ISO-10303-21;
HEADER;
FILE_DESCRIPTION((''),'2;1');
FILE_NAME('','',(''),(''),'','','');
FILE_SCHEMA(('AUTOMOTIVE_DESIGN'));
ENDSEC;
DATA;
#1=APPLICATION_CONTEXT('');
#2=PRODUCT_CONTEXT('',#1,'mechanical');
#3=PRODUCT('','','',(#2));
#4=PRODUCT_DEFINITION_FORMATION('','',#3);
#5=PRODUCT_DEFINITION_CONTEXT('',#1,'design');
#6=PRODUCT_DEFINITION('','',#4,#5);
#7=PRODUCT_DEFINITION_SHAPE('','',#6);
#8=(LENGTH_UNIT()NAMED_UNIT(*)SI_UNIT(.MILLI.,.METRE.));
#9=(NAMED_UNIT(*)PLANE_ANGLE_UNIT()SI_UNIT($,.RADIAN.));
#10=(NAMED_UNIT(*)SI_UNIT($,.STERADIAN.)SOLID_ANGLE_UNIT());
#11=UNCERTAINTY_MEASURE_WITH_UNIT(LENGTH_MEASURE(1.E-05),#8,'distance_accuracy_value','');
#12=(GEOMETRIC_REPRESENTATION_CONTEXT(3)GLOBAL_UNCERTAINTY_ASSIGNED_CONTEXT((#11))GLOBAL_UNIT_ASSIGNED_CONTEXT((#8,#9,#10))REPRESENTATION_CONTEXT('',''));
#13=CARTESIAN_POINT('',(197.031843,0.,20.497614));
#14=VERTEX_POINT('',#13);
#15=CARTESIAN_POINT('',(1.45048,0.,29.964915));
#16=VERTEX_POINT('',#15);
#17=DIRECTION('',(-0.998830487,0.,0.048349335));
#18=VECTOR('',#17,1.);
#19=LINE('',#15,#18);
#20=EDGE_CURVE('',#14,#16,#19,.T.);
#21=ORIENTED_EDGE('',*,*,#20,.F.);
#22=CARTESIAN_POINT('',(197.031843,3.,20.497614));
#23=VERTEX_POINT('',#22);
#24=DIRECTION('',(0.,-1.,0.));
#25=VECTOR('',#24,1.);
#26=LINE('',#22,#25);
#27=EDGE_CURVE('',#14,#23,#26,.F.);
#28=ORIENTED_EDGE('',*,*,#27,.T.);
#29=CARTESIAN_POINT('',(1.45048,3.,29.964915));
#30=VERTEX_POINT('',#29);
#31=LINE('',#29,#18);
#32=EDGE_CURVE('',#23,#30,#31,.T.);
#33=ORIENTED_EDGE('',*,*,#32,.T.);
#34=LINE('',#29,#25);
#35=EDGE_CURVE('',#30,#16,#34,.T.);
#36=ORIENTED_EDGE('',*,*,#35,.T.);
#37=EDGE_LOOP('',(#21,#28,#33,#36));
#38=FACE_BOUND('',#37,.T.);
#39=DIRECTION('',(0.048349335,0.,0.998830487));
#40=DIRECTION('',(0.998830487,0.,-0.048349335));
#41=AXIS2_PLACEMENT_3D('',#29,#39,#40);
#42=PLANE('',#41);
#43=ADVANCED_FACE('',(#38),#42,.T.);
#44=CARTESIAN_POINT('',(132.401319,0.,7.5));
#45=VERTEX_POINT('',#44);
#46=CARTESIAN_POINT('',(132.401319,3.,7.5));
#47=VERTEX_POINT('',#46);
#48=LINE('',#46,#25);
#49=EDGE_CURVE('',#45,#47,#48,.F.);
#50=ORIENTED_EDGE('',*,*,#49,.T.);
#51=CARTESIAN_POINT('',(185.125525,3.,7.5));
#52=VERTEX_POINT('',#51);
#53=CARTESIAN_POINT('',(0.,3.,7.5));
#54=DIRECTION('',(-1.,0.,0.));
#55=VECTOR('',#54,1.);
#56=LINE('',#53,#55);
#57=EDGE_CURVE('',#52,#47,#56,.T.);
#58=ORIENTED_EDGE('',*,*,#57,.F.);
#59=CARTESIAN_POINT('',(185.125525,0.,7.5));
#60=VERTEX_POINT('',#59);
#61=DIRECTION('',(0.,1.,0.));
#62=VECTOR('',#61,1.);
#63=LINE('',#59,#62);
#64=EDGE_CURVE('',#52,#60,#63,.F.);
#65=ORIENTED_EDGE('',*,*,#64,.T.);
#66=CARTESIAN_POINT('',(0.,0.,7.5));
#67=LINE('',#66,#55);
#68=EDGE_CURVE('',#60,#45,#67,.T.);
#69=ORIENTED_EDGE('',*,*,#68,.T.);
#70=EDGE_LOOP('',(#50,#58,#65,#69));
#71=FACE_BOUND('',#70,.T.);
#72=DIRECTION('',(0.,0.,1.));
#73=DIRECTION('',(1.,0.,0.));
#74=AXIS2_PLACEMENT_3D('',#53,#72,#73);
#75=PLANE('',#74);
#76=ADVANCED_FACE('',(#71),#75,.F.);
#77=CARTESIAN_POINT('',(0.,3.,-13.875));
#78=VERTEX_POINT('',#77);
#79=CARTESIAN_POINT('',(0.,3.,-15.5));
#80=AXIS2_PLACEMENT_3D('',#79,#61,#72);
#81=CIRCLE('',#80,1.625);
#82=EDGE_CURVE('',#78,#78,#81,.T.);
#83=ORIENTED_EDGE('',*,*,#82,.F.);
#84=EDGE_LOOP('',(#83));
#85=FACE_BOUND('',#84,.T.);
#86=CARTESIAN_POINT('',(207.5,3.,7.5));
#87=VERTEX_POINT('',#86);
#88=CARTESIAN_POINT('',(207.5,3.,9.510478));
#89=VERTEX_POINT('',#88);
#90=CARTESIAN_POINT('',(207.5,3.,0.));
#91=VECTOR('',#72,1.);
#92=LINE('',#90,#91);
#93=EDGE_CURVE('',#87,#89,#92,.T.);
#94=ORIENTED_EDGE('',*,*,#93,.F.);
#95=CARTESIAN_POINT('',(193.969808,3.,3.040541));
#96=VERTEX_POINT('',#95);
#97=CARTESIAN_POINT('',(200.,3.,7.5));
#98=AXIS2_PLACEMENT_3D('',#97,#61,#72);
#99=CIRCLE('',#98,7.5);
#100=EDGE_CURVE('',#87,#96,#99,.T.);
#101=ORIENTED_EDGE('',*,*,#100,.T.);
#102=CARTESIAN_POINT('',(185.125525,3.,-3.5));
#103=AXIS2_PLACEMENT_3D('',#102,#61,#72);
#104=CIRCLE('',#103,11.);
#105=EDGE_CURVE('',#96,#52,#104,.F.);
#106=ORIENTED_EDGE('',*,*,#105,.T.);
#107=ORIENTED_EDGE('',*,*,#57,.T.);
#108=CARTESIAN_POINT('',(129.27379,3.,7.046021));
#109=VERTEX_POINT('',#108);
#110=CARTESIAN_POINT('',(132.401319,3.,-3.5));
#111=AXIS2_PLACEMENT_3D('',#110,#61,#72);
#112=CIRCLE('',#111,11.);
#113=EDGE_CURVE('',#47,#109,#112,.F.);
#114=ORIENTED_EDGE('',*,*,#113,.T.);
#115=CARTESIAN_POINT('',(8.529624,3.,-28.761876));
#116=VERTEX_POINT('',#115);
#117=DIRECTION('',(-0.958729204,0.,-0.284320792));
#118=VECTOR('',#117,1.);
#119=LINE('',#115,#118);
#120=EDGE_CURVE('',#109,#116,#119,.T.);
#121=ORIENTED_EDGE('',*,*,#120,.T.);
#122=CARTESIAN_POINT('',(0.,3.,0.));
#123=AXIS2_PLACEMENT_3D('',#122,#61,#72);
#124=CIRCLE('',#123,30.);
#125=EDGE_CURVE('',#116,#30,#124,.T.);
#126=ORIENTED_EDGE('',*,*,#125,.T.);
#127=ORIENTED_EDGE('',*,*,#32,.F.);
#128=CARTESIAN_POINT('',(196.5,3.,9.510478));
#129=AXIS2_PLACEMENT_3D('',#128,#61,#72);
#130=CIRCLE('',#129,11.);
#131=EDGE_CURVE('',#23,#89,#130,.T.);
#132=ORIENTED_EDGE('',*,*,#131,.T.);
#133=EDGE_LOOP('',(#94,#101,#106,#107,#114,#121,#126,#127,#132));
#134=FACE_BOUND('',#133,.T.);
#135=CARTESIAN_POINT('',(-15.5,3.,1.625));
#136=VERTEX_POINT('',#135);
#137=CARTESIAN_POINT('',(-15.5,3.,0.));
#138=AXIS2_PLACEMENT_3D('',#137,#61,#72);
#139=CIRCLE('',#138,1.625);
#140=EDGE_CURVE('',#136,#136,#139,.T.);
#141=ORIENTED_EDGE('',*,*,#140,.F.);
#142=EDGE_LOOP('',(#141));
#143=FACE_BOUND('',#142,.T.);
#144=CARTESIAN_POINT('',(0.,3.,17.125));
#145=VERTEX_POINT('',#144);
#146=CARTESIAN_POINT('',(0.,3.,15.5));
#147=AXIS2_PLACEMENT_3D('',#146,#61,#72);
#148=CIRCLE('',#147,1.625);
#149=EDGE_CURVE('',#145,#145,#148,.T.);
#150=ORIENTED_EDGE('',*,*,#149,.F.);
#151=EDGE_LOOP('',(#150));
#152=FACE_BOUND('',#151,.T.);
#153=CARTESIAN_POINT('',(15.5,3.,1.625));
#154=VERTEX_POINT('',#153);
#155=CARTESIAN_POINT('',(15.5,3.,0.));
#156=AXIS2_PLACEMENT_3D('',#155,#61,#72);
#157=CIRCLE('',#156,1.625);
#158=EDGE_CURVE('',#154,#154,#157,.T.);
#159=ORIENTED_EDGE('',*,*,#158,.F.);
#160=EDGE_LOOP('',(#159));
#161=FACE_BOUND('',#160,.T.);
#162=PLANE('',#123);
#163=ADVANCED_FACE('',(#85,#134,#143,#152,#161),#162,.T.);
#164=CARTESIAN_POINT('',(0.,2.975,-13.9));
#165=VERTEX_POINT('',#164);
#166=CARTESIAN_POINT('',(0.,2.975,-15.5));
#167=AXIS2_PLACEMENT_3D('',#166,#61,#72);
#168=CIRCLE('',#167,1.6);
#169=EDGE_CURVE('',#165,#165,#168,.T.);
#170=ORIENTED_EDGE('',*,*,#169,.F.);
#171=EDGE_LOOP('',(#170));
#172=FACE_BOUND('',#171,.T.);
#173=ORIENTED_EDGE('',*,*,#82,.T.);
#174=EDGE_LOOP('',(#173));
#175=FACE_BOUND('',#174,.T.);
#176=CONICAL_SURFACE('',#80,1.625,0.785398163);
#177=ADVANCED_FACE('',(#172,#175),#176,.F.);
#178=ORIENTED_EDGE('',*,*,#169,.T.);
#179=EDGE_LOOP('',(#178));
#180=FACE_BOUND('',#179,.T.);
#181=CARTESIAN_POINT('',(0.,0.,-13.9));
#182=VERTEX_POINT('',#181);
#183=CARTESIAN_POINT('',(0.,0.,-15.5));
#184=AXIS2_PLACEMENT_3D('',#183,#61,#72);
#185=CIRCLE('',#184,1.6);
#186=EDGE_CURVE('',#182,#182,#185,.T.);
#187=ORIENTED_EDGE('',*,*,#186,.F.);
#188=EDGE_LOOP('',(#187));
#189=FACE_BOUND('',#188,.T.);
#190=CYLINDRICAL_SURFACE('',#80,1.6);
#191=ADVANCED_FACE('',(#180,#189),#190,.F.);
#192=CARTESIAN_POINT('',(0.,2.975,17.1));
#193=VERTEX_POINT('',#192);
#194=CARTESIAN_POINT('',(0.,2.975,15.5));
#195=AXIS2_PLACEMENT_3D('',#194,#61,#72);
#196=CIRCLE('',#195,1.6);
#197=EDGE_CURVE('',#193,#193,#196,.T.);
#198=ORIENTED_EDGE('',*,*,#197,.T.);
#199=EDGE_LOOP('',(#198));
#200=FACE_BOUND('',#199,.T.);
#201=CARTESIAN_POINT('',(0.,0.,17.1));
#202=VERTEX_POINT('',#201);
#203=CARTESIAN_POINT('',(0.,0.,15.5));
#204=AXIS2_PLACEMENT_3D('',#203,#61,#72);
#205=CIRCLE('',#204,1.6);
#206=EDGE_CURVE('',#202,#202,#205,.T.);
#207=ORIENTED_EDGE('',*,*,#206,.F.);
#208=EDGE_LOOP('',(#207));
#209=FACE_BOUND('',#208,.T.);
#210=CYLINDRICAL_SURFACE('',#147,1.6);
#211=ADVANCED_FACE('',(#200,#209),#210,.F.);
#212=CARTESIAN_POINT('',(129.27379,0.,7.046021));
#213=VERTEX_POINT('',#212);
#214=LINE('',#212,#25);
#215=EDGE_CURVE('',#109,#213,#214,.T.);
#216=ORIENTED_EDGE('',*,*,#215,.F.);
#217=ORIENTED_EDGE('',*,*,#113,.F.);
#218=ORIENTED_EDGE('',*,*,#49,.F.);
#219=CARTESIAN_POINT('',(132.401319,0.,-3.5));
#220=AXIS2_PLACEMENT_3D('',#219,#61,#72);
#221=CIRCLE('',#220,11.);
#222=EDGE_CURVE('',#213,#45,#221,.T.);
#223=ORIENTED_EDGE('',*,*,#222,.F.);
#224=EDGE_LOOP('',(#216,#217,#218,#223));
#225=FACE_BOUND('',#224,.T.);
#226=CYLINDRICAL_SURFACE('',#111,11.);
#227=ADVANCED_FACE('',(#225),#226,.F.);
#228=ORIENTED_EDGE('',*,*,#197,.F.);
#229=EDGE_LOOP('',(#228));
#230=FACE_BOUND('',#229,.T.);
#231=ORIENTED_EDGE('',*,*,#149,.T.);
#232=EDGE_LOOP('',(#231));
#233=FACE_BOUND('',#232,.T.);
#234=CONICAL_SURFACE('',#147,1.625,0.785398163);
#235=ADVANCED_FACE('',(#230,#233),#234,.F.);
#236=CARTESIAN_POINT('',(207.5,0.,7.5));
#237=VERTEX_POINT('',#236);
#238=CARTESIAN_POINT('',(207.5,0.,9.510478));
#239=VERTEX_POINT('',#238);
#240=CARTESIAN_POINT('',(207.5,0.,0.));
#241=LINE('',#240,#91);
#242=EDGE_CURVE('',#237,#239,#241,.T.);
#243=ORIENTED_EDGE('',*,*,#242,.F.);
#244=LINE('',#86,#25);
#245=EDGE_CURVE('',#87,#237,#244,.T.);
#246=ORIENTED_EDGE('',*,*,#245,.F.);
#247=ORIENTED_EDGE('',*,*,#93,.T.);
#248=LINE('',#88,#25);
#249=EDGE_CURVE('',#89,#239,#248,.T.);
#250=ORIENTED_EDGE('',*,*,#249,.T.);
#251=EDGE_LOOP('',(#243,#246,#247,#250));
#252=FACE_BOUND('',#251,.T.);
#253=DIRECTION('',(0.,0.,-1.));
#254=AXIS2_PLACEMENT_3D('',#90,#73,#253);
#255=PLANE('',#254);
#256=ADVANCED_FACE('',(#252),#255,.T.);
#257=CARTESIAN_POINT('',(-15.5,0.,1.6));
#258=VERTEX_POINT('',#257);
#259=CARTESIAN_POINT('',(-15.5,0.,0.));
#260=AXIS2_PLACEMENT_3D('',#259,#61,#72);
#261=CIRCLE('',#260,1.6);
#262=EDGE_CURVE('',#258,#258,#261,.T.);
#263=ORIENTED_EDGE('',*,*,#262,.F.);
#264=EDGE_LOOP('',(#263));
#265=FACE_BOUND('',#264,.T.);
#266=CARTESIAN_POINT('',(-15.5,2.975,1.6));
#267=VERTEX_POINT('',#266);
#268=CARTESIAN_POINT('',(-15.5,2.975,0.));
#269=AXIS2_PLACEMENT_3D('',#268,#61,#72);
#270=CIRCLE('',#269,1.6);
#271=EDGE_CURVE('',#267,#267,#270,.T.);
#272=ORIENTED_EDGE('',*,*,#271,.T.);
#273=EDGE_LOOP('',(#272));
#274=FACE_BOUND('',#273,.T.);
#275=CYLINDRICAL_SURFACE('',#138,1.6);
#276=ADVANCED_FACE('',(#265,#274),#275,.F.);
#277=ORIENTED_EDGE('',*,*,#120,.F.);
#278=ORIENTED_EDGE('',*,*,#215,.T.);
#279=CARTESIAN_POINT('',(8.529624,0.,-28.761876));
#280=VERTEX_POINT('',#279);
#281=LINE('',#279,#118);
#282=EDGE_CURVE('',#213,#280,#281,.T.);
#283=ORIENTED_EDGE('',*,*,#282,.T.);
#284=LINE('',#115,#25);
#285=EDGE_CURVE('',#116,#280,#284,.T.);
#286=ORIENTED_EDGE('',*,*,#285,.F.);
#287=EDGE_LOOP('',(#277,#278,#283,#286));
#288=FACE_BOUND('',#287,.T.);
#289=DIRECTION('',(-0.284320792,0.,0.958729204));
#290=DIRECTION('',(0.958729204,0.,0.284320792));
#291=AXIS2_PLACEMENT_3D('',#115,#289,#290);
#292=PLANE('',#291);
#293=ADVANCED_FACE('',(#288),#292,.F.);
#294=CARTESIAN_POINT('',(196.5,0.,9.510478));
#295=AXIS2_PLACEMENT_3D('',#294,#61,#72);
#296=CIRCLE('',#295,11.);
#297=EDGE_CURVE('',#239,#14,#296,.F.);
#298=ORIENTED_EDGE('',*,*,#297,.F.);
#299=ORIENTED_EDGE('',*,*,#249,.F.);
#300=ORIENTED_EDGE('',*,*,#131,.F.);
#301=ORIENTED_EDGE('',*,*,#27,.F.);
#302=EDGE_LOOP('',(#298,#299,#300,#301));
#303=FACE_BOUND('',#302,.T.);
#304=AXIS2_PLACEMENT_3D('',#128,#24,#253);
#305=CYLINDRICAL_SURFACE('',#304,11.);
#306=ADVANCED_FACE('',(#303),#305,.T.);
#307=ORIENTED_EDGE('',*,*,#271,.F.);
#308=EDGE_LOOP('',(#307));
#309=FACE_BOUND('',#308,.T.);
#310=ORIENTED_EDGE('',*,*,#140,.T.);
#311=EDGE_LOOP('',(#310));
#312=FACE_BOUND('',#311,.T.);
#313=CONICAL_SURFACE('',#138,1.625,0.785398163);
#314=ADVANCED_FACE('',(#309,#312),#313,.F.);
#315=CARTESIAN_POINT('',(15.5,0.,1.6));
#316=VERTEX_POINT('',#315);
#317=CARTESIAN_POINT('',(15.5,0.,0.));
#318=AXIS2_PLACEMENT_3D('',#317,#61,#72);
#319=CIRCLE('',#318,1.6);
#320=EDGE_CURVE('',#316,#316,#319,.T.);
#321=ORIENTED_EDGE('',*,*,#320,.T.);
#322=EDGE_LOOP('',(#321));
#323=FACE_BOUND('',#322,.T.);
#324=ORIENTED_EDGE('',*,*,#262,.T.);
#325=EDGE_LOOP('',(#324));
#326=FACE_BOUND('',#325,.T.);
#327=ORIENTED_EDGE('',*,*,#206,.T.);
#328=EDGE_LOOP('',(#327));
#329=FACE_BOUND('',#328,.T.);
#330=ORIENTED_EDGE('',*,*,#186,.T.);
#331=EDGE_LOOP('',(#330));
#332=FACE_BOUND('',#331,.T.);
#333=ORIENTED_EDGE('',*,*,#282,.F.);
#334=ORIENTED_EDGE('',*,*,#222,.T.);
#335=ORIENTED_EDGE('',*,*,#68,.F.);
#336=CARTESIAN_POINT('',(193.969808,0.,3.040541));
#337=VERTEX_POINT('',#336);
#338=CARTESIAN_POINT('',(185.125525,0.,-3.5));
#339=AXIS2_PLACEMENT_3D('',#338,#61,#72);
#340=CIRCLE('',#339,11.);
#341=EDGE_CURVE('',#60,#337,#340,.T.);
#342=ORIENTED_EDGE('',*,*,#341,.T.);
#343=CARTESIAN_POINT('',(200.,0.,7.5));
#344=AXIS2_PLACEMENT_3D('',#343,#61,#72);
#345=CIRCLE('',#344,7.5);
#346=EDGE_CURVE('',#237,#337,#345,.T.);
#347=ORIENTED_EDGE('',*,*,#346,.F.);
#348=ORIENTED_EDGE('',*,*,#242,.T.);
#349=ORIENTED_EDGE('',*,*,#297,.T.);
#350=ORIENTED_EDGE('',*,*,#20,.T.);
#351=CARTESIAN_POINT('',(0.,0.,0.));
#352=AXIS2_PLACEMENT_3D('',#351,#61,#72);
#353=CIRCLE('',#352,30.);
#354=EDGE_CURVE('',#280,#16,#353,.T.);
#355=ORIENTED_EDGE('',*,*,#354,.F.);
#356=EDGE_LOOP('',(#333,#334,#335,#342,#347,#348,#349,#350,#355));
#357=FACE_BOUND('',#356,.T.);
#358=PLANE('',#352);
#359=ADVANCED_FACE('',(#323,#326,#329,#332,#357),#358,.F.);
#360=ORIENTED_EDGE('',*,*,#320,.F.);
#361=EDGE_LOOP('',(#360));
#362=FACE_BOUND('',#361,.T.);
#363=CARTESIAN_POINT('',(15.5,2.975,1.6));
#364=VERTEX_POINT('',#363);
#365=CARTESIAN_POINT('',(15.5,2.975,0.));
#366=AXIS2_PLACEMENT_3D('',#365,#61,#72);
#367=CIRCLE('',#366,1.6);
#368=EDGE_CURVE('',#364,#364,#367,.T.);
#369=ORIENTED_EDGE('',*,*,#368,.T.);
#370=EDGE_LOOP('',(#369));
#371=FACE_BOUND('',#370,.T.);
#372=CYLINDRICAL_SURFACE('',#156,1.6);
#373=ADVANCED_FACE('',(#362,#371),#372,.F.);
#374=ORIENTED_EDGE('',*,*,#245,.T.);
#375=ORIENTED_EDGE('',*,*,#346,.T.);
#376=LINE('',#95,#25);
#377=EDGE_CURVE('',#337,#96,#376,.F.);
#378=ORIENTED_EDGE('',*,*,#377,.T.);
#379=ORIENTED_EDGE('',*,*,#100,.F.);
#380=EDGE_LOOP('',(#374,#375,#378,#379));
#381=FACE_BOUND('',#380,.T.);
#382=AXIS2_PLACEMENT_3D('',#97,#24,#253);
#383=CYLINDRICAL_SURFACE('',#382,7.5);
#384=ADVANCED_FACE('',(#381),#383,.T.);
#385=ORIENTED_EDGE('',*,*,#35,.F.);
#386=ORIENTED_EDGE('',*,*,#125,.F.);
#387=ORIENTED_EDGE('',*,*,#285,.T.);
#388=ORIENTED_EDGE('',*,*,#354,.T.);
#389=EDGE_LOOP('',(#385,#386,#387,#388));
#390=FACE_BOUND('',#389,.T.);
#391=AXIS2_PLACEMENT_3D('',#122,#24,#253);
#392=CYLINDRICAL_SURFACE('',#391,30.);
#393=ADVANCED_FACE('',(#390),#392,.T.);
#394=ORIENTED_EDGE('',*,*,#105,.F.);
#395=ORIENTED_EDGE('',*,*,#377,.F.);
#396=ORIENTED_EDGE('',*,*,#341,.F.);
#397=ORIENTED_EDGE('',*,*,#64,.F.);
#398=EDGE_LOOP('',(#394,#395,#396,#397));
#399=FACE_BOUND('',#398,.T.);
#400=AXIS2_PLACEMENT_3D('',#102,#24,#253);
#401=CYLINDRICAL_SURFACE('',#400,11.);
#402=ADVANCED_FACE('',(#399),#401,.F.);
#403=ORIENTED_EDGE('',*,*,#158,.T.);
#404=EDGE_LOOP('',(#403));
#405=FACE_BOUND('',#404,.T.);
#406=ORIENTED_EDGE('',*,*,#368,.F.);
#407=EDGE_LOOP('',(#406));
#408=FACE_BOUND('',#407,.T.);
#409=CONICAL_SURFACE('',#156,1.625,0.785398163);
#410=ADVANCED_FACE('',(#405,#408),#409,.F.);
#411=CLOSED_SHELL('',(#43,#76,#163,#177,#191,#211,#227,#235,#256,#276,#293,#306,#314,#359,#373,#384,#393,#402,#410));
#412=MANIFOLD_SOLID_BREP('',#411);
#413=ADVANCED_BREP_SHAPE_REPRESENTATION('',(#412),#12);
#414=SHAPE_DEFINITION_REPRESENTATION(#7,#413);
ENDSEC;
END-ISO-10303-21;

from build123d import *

# Parameters (mm, degrees)
BOSS_EXTRUDE1_DEPTH            = 3
M3_CLEARANCE_HOLE1_D           = 3.2
M3_CLEARANCE_HOLE1_CSINK_D     = 3.25
M3_CLEARANCE_HOLE1_CSINK_ANGLE = 90
FILLET2_R                      = 11


with BuildPart() as part:
    # Sketch1 → Boss-Extrude1 (new body)
    with BuildSketch(Plane(origin=(0, 0, 0), x_dir=(1, 0, 0), z_dir=(0, 1, 0))):
        with BuildLine():
            ThreePointArc((8.529623766, 28.761876128), (-29.78438528, 3.590319411), (1.450480292, -29.964914599))
            Line((1.450480292, -29.964914599), (207.5, -19.990892525))
            Line((207.5, -19.990892525), (207.5, -7.5))
            ThreePointArc((207.5, -7.5), (200, 0), (192.5, -7.5))
            Line((192.5, -7.5), (130.80460541, -7.5))
            Line((130.80460541, -7.5), (8.529623766, 28.761876128))
        make_face()
    extrude(amount=BOSS_EXTRUDE1_DEPTH)

    # M3 Clearance Hole1 (through all)
    with Locations(Plane(origin=(0, 3, 0), x_dir=(1, 0, 0), z_dir=(0, 1, 0))):
        with Locations((-15.5, 0), (0, 15.5), (15.5, 0), (0, -15.5)):
            CounterSinkHole(M3_CLEARANCE_HOLE1_D / 2, M3_CLEARANCE_HOLE1_CSINK_D / 2, counter_sink_angle=M3_CLEARANCE_HOLE1_CSINK_ANGLE)

    # Fillet2
    fillet2_edges = [part.edges().sort_by_distance(p)[0] for p in [
        (130.80460541, 1.5, 7.5),
        (192.5, 1.5, 7.5),
        (207.5, 1.5, 19.990892525),
    ]]
    fillet(fillet2_edges, radius=FILLET2_R)


solid = part.part
